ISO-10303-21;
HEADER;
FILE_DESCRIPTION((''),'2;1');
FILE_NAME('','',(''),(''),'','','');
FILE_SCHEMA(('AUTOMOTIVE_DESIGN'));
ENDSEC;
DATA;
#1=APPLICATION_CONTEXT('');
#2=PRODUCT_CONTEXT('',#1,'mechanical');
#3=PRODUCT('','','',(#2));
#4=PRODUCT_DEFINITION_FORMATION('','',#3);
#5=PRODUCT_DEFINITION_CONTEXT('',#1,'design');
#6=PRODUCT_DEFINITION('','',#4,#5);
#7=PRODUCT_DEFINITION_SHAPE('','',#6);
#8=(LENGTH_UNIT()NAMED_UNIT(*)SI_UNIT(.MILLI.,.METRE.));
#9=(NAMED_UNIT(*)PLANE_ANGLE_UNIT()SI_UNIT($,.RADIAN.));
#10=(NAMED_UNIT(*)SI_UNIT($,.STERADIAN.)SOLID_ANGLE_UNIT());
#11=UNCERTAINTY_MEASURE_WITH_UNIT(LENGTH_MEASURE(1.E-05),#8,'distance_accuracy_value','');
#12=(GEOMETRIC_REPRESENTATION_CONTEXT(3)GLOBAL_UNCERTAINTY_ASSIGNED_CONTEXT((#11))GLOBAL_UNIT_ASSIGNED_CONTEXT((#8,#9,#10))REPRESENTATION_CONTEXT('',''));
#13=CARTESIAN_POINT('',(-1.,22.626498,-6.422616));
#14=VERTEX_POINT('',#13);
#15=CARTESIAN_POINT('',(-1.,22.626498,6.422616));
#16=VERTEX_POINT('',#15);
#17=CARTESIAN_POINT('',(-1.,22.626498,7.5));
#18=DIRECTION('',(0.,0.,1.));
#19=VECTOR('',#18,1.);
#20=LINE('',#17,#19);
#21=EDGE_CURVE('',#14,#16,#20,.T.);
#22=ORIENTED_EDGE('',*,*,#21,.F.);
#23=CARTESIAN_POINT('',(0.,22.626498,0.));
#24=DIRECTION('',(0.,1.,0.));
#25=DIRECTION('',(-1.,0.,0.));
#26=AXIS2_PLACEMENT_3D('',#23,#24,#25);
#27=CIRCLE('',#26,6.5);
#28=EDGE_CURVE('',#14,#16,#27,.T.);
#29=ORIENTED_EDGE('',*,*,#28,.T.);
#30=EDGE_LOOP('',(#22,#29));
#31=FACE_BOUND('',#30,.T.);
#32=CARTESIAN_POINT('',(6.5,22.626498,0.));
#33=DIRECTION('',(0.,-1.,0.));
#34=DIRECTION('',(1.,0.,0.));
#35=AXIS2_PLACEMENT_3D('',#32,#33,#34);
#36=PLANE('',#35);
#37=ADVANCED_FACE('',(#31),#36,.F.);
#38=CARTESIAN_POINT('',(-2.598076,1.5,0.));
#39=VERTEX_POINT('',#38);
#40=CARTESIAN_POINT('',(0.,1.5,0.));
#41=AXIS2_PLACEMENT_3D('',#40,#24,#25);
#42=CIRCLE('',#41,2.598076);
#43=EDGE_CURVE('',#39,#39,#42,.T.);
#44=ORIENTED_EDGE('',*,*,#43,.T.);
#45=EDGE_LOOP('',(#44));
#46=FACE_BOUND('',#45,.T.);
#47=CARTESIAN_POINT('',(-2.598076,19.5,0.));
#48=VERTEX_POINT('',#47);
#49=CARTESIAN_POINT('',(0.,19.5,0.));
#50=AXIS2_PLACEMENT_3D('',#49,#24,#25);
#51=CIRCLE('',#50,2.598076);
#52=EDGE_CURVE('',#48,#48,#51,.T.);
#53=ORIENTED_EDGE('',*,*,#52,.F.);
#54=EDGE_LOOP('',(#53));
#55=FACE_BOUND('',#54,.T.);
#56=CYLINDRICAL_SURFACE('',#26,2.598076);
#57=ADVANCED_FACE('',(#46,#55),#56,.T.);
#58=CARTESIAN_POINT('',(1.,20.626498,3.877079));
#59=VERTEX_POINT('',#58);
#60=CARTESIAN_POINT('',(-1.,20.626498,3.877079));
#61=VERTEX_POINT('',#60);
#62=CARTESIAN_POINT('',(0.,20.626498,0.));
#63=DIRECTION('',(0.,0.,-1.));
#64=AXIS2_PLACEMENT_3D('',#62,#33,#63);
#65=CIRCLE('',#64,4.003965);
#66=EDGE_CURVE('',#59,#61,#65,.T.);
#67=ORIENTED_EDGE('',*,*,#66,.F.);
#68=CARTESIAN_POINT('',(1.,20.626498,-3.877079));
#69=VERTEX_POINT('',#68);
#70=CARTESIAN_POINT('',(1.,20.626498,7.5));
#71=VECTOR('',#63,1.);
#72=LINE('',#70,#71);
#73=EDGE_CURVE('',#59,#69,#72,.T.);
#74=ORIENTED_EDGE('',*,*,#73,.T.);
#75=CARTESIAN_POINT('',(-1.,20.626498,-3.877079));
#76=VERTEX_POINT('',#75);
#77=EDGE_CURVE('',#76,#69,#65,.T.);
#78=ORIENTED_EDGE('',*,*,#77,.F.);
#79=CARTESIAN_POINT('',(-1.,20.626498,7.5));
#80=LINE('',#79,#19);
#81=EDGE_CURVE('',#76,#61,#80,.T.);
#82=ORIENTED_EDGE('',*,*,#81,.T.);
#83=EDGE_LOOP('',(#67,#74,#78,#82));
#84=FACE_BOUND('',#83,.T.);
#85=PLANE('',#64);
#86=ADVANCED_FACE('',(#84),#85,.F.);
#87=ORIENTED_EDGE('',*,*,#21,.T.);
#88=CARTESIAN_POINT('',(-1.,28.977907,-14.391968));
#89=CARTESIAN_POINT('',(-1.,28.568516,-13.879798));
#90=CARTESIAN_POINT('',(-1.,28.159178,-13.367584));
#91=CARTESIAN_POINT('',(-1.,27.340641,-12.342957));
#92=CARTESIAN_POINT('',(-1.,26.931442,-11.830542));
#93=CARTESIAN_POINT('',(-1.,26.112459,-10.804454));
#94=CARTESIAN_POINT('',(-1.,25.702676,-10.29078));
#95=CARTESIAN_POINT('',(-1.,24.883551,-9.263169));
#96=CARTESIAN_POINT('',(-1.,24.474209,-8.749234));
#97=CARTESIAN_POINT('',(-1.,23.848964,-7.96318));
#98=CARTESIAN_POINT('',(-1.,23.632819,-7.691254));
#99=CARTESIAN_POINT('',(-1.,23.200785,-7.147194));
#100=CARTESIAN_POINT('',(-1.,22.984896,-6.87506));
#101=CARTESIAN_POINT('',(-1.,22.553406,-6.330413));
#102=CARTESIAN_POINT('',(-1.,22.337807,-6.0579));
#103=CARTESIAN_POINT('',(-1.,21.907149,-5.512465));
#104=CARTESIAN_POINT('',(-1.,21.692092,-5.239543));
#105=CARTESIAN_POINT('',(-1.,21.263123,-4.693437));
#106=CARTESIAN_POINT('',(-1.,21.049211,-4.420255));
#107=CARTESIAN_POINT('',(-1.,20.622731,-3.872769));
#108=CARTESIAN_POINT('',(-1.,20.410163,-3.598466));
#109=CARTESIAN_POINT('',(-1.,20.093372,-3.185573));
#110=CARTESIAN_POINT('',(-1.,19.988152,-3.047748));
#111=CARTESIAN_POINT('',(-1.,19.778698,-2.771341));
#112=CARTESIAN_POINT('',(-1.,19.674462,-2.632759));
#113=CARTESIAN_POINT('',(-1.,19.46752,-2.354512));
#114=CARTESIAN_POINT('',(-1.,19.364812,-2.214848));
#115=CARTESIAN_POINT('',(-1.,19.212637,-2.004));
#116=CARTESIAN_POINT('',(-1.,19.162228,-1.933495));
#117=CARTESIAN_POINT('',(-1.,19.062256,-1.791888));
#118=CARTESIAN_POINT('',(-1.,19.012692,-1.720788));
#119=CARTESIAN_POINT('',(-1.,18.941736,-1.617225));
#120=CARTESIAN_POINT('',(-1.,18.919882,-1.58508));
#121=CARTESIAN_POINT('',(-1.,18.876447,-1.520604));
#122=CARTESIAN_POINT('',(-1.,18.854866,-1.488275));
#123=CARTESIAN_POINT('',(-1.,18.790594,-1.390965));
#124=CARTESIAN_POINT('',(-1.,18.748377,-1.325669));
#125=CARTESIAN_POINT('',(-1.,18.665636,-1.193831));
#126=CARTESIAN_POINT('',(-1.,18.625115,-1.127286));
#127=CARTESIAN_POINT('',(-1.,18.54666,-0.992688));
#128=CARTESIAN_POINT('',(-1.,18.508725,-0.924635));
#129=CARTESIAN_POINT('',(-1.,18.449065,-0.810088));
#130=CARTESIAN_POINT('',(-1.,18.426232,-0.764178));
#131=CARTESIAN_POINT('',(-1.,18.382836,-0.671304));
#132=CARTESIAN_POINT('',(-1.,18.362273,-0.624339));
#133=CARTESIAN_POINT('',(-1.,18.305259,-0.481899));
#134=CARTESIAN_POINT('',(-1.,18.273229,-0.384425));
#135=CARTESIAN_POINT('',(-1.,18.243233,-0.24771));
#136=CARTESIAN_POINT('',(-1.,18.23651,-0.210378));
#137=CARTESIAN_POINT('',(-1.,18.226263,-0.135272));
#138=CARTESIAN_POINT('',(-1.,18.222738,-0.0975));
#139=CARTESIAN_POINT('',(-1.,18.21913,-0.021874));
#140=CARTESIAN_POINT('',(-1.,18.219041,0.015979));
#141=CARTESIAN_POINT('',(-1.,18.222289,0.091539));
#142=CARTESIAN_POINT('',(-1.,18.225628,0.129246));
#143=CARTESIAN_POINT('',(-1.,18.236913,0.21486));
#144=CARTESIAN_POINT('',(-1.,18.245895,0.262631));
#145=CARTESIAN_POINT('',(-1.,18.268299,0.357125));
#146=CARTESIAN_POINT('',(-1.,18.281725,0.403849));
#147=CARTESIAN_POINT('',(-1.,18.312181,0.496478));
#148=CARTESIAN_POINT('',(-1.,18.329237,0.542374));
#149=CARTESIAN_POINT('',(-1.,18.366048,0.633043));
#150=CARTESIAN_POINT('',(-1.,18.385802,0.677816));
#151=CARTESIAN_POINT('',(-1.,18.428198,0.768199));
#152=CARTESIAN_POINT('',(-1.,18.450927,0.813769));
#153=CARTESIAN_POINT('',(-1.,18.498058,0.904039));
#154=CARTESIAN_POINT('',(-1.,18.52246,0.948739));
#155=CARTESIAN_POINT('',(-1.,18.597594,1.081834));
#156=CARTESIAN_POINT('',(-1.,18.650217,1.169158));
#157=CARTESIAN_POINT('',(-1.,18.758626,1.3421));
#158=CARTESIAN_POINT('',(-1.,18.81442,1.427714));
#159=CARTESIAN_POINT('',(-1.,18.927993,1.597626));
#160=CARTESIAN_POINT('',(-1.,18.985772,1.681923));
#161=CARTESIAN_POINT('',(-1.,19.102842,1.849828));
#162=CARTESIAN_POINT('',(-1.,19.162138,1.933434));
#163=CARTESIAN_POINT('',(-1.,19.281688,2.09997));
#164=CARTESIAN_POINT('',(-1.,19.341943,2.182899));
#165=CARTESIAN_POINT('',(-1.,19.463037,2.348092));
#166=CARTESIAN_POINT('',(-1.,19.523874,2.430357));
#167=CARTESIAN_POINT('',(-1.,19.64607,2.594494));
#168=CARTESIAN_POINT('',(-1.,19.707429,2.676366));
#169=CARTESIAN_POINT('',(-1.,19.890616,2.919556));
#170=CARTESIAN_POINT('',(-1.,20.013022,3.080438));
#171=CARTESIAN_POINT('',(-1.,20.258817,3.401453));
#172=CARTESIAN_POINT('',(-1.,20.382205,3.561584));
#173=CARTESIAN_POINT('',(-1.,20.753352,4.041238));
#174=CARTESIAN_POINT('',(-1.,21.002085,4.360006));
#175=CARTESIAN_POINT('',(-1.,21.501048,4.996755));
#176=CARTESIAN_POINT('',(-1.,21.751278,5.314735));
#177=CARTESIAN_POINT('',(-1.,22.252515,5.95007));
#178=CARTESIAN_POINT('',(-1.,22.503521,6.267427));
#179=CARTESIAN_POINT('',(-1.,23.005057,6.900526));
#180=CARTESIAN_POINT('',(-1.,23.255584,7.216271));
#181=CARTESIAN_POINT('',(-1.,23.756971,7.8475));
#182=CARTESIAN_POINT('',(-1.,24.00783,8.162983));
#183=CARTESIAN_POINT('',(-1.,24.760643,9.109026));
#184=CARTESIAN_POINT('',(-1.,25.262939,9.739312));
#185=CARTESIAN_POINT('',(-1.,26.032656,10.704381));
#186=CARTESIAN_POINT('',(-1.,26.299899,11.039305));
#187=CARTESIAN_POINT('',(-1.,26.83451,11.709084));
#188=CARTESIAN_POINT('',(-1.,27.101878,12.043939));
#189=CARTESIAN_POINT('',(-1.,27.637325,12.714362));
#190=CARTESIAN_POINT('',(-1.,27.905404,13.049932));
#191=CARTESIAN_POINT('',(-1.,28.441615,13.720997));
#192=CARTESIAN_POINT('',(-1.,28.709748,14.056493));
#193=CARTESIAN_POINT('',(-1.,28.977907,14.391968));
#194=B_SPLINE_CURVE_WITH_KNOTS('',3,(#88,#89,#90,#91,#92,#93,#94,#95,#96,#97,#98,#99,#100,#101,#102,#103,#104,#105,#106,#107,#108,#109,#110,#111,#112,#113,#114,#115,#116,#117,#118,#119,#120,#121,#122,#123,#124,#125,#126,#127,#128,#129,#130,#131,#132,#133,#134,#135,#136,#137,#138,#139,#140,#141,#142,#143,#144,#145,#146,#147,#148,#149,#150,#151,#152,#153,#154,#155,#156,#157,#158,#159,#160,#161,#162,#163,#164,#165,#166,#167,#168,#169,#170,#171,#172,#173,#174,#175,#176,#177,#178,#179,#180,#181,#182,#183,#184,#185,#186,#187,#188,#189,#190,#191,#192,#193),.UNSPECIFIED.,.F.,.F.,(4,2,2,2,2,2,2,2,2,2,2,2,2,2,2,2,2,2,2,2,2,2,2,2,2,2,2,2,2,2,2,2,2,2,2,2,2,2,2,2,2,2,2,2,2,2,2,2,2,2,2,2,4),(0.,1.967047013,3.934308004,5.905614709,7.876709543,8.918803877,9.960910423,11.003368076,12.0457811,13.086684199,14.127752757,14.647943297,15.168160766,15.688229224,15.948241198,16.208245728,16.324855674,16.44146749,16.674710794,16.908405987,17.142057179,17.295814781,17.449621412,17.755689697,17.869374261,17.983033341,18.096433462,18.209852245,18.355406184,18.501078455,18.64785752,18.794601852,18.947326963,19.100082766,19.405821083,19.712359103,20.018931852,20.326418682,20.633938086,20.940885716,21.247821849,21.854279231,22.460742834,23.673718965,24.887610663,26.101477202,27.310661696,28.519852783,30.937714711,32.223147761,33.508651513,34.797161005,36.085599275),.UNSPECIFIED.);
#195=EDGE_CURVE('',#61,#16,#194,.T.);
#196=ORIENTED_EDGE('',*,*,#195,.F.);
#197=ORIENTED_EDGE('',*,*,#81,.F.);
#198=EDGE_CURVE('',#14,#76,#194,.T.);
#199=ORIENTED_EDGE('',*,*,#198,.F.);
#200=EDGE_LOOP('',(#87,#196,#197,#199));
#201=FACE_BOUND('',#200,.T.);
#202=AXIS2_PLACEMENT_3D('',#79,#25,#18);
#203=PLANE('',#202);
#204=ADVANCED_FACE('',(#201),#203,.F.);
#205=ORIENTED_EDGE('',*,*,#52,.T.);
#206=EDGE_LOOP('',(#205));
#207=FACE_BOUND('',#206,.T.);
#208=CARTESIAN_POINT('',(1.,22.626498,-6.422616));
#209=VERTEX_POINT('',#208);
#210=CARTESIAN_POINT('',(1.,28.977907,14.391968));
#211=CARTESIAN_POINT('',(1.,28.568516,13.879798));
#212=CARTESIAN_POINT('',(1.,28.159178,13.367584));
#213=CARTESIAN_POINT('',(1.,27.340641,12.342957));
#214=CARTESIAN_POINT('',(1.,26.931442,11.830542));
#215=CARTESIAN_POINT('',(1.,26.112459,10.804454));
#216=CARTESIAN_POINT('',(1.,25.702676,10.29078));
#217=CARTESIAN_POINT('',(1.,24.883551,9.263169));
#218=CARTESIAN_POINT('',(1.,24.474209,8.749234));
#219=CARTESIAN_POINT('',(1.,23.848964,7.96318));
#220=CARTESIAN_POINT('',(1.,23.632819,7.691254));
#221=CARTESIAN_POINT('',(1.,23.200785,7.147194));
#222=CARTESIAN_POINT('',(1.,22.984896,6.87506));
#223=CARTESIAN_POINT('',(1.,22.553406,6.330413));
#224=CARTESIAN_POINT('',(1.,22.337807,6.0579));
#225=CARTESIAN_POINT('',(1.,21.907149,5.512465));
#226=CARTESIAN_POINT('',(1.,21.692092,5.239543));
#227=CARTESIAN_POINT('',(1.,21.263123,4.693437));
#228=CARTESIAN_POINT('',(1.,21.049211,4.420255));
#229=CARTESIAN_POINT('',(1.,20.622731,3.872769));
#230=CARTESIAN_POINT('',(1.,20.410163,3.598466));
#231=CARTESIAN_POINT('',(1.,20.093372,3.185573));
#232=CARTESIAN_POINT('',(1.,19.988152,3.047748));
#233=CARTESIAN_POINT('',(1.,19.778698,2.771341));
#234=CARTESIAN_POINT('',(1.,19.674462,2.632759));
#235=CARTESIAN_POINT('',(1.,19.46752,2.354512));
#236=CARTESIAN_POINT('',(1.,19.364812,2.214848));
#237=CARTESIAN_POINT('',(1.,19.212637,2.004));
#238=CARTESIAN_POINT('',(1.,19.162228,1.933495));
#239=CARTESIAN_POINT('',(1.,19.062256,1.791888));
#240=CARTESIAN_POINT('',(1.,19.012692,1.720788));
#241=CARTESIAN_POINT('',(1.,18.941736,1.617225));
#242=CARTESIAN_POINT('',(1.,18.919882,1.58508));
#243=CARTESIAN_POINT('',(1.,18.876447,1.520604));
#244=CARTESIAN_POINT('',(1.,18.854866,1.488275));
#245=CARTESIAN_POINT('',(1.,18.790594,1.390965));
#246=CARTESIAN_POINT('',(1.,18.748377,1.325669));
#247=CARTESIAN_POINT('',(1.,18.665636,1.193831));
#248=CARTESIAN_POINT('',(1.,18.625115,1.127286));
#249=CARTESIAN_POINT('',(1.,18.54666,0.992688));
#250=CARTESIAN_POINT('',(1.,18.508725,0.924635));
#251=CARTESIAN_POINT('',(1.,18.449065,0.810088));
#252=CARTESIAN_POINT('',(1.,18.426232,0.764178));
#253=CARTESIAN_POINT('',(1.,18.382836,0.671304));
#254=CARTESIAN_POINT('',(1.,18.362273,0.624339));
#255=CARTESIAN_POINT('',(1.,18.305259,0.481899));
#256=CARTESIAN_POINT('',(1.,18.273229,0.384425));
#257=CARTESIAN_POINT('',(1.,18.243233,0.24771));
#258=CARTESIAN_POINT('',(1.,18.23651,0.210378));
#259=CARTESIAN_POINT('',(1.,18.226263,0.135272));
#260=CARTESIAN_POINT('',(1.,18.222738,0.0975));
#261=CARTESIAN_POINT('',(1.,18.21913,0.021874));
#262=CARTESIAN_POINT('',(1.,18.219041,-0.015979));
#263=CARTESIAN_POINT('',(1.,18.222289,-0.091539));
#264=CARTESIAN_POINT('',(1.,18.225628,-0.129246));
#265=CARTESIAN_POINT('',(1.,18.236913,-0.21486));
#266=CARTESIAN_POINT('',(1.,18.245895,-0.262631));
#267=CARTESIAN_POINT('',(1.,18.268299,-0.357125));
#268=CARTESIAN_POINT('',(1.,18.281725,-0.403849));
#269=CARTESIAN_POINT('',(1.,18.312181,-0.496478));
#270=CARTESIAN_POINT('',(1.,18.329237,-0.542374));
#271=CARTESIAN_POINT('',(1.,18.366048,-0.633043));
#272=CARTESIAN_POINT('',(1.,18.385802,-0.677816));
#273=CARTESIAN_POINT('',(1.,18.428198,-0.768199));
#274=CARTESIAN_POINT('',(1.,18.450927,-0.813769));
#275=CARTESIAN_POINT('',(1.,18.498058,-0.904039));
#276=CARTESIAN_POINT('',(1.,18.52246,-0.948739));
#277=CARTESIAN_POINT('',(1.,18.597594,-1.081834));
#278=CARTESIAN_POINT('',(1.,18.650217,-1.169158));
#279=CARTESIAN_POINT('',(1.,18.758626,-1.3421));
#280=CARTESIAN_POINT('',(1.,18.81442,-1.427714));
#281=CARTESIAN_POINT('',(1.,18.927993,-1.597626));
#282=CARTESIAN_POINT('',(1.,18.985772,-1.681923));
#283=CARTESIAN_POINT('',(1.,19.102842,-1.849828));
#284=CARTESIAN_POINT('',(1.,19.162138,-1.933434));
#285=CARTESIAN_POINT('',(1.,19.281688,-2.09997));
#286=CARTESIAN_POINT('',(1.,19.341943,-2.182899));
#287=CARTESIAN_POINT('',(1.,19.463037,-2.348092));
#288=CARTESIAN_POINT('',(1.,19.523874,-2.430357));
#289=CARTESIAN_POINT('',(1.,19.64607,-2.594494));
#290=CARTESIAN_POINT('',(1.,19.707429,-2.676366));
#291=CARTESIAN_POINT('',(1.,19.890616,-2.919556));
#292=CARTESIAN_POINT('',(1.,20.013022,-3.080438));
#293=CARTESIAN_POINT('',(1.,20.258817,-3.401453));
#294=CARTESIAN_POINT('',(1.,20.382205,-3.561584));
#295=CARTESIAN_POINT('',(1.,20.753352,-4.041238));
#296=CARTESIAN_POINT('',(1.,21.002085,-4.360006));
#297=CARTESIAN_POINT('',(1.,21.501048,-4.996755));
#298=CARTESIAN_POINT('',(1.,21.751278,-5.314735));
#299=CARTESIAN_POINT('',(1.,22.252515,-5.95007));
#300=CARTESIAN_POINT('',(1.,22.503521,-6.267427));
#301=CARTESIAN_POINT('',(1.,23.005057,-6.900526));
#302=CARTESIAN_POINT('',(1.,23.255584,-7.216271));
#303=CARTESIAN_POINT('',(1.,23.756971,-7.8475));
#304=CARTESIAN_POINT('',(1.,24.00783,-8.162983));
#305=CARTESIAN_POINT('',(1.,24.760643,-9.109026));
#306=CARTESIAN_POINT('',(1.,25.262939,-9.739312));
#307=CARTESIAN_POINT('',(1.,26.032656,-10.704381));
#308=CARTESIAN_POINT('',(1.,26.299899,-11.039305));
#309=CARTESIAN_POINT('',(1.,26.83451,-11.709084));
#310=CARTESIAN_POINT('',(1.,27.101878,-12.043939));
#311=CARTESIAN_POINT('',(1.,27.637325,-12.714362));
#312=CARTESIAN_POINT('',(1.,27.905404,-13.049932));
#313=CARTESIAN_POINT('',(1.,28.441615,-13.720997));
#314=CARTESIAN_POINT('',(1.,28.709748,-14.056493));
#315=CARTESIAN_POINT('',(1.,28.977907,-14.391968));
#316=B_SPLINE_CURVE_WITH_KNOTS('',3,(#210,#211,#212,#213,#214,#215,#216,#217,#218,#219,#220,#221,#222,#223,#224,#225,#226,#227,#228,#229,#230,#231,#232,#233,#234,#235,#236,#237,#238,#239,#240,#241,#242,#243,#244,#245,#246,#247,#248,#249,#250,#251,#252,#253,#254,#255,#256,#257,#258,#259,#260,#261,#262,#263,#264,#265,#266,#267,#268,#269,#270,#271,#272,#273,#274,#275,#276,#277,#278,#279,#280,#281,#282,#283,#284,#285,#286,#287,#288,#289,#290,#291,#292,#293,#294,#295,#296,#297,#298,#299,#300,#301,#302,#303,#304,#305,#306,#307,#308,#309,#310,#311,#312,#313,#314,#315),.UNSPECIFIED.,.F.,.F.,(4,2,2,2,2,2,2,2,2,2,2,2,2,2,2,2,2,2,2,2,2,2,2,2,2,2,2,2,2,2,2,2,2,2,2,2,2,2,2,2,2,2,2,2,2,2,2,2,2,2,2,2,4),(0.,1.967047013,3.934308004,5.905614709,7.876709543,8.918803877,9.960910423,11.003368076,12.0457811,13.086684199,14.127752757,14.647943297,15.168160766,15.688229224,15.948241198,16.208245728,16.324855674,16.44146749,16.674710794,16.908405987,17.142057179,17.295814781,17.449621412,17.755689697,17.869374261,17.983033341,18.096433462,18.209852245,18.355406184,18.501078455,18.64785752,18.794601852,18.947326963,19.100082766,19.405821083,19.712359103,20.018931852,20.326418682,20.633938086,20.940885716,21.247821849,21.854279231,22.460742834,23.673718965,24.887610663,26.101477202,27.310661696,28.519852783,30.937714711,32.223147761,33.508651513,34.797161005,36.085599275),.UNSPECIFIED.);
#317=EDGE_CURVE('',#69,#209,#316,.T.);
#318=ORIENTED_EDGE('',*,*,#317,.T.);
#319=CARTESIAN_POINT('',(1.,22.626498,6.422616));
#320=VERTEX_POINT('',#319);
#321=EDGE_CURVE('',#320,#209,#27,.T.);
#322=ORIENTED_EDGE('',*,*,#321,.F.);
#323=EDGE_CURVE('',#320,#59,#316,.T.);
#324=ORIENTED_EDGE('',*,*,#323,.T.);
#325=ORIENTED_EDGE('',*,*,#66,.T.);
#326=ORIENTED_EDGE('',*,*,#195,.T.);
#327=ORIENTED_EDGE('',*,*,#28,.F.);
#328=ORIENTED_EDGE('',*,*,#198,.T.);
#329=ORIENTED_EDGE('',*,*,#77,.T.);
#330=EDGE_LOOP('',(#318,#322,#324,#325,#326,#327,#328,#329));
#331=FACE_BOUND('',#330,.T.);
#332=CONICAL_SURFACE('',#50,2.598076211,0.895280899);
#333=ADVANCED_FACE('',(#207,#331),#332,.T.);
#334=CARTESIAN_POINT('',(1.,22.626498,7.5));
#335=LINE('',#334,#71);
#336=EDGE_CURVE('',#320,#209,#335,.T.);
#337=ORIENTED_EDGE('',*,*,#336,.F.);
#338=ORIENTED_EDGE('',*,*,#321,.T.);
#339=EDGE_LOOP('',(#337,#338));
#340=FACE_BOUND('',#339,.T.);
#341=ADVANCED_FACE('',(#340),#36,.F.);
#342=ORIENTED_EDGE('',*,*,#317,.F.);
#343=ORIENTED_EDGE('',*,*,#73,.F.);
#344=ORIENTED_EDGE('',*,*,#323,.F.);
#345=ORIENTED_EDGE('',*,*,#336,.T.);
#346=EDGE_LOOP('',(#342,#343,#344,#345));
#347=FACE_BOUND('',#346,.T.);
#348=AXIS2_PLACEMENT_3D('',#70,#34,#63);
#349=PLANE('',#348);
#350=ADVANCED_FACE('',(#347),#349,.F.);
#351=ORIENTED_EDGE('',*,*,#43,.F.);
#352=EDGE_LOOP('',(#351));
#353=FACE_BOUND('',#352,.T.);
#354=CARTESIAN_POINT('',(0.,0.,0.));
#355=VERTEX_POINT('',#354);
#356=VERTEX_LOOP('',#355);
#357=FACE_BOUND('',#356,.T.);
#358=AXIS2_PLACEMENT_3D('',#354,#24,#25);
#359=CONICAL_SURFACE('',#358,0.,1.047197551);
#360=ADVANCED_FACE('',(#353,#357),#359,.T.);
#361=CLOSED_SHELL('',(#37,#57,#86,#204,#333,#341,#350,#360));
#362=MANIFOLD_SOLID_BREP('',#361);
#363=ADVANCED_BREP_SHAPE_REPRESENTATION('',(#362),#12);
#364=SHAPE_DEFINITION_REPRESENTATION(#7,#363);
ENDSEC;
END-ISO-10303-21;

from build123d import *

# Parameters (mm, degrees)
SKETCH3_W          = 2
SKETCH3_H          = 15
CUT_EXTRUDE1_DEPTH = 2


with BuildPart() as part:
    # Sketch1 → Revolve1 (revolve)
    with BuildSketch(Plane.XY):
        Polygon((0, 0), (2.598076211, 1.5), (2.598076211, 19.5), (6.5, 22.62649816), (0, 22.62649816), align=None)
    revolve(axis=Axis((0, 22.62649816, 0), (0, -1, 0)))

    # Sketch3 → Cut-Extrude1 (cut)
    with BuildSketch(Plane(origin=(0, 22.62649816, 0), x_dir=(1, 0, 0), z_dir=(0, 1, 0))):
        Rectangle(SKETCH3_W, SKETCH3_H)
    extrude(amount=-CUT_EXTRUDE1_DEPTH, mode=Mode.SUBTRACT)


solid = part.part
